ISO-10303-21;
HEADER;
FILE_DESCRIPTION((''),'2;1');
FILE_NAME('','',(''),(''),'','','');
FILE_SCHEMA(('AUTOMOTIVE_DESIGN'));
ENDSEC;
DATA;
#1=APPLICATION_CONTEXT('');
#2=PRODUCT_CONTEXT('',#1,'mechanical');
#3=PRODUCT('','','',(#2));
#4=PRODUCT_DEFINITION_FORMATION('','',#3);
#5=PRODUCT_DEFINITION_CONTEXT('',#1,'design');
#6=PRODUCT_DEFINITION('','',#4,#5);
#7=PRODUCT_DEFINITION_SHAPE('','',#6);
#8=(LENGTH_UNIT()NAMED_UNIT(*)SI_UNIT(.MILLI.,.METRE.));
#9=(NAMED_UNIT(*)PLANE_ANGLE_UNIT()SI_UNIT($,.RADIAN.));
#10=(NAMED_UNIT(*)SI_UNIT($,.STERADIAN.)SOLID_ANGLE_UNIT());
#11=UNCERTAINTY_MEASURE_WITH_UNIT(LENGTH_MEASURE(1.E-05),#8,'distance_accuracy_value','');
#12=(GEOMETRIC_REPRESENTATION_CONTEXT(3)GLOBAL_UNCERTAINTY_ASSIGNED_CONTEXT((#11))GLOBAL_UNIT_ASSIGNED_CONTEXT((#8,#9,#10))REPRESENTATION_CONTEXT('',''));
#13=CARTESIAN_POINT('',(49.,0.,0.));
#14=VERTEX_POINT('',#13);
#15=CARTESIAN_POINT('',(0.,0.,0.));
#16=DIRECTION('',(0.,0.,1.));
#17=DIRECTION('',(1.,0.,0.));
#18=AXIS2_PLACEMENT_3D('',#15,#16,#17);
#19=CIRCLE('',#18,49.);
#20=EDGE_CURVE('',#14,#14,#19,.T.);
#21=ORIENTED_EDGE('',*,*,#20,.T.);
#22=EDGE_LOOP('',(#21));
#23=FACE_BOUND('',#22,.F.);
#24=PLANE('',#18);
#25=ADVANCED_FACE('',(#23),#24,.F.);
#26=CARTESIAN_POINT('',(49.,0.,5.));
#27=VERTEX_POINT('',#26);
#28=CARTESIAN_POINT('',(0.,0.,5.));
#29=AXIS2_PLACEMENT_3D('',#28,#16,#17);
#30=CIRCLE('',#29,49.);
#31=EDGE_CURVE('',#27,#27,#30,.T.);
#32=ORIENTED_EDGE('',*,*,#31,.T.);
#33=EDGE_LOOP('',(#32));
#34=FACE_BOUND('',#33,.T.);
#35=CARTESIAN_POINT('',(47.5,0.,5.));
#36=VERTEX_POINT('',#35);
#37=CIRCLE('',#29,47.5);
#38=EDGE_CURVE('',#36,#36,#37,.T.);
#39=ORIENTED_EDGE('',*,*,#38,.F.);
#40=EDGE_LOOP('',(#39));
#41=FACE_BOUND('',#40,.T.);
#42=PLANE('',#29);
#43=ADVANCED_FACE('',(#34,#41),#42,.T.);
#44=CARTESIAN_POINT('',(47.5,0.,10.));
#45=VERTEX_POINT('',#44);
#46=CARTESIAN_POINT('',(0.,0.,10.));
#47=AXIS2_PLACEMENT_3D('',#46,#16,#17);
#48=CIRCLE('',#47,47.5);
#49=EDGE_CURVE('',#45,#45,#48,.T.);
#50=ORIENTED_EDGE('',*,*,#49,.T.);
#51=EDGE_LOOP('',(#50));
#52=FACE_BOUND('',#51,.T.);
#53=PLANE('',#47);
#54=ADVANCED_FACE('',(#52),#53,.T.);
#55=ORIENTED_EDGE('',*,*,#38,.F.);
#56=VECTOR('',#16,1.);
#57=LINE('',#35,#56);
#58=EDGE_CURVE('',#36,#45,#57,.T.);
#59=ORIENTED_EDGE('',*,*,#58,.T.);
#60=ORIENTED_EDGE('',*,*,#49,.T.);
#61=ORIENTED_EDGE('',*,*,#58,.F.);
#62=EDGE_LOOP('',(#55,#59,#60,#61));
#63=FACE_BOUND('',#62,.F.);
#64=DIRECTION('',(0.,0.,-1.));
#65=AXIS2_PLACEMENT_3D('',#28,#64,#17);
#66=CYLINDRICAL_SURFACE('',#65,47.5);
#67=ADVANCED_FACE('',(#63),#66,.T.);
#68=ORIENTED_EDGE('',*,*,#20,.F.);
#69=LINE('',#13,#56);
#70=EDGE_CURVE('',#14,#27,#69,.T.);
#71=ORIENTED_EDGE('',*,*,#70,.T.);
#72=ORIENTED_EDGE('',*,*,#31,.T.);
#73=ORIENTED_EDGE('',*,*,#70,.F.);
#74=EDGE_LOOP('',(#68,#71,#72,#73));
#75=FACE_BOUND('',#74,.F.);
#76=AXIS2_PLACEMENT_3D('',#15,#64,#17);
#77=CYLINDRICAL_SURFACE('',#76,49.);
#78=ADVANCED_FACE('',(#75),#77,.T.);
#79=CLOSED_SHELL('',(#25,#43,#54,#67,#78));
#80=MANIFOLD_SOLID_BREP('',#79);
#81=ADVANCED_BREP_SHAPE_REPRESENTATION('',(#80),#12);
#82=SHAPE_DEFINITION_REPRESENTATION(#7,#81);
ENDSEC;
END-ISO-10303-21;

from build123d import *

# Parameters (mm, degrees)
SKETCH_R     = 49
PAD_DEPTH    = 5
SKETCH001_R  = 47.5
PAD001_DEPTH = 5


with BuildPart() as part:
    # Sketch → Pad (new body)
    with BuildSketch(Plane.XY):
        Circle(SKETCH_R)
    extrude(amount=PAD_DEPTH)

    # Sketch001 (on Face3 of Pad) → Pad001 (join)
    with BuildSketch(Plane.XY.offset(5)):
        Circle(SKETCH001_R)
    extrude(amount=PAD001_DEPTH)


solid = part.part
